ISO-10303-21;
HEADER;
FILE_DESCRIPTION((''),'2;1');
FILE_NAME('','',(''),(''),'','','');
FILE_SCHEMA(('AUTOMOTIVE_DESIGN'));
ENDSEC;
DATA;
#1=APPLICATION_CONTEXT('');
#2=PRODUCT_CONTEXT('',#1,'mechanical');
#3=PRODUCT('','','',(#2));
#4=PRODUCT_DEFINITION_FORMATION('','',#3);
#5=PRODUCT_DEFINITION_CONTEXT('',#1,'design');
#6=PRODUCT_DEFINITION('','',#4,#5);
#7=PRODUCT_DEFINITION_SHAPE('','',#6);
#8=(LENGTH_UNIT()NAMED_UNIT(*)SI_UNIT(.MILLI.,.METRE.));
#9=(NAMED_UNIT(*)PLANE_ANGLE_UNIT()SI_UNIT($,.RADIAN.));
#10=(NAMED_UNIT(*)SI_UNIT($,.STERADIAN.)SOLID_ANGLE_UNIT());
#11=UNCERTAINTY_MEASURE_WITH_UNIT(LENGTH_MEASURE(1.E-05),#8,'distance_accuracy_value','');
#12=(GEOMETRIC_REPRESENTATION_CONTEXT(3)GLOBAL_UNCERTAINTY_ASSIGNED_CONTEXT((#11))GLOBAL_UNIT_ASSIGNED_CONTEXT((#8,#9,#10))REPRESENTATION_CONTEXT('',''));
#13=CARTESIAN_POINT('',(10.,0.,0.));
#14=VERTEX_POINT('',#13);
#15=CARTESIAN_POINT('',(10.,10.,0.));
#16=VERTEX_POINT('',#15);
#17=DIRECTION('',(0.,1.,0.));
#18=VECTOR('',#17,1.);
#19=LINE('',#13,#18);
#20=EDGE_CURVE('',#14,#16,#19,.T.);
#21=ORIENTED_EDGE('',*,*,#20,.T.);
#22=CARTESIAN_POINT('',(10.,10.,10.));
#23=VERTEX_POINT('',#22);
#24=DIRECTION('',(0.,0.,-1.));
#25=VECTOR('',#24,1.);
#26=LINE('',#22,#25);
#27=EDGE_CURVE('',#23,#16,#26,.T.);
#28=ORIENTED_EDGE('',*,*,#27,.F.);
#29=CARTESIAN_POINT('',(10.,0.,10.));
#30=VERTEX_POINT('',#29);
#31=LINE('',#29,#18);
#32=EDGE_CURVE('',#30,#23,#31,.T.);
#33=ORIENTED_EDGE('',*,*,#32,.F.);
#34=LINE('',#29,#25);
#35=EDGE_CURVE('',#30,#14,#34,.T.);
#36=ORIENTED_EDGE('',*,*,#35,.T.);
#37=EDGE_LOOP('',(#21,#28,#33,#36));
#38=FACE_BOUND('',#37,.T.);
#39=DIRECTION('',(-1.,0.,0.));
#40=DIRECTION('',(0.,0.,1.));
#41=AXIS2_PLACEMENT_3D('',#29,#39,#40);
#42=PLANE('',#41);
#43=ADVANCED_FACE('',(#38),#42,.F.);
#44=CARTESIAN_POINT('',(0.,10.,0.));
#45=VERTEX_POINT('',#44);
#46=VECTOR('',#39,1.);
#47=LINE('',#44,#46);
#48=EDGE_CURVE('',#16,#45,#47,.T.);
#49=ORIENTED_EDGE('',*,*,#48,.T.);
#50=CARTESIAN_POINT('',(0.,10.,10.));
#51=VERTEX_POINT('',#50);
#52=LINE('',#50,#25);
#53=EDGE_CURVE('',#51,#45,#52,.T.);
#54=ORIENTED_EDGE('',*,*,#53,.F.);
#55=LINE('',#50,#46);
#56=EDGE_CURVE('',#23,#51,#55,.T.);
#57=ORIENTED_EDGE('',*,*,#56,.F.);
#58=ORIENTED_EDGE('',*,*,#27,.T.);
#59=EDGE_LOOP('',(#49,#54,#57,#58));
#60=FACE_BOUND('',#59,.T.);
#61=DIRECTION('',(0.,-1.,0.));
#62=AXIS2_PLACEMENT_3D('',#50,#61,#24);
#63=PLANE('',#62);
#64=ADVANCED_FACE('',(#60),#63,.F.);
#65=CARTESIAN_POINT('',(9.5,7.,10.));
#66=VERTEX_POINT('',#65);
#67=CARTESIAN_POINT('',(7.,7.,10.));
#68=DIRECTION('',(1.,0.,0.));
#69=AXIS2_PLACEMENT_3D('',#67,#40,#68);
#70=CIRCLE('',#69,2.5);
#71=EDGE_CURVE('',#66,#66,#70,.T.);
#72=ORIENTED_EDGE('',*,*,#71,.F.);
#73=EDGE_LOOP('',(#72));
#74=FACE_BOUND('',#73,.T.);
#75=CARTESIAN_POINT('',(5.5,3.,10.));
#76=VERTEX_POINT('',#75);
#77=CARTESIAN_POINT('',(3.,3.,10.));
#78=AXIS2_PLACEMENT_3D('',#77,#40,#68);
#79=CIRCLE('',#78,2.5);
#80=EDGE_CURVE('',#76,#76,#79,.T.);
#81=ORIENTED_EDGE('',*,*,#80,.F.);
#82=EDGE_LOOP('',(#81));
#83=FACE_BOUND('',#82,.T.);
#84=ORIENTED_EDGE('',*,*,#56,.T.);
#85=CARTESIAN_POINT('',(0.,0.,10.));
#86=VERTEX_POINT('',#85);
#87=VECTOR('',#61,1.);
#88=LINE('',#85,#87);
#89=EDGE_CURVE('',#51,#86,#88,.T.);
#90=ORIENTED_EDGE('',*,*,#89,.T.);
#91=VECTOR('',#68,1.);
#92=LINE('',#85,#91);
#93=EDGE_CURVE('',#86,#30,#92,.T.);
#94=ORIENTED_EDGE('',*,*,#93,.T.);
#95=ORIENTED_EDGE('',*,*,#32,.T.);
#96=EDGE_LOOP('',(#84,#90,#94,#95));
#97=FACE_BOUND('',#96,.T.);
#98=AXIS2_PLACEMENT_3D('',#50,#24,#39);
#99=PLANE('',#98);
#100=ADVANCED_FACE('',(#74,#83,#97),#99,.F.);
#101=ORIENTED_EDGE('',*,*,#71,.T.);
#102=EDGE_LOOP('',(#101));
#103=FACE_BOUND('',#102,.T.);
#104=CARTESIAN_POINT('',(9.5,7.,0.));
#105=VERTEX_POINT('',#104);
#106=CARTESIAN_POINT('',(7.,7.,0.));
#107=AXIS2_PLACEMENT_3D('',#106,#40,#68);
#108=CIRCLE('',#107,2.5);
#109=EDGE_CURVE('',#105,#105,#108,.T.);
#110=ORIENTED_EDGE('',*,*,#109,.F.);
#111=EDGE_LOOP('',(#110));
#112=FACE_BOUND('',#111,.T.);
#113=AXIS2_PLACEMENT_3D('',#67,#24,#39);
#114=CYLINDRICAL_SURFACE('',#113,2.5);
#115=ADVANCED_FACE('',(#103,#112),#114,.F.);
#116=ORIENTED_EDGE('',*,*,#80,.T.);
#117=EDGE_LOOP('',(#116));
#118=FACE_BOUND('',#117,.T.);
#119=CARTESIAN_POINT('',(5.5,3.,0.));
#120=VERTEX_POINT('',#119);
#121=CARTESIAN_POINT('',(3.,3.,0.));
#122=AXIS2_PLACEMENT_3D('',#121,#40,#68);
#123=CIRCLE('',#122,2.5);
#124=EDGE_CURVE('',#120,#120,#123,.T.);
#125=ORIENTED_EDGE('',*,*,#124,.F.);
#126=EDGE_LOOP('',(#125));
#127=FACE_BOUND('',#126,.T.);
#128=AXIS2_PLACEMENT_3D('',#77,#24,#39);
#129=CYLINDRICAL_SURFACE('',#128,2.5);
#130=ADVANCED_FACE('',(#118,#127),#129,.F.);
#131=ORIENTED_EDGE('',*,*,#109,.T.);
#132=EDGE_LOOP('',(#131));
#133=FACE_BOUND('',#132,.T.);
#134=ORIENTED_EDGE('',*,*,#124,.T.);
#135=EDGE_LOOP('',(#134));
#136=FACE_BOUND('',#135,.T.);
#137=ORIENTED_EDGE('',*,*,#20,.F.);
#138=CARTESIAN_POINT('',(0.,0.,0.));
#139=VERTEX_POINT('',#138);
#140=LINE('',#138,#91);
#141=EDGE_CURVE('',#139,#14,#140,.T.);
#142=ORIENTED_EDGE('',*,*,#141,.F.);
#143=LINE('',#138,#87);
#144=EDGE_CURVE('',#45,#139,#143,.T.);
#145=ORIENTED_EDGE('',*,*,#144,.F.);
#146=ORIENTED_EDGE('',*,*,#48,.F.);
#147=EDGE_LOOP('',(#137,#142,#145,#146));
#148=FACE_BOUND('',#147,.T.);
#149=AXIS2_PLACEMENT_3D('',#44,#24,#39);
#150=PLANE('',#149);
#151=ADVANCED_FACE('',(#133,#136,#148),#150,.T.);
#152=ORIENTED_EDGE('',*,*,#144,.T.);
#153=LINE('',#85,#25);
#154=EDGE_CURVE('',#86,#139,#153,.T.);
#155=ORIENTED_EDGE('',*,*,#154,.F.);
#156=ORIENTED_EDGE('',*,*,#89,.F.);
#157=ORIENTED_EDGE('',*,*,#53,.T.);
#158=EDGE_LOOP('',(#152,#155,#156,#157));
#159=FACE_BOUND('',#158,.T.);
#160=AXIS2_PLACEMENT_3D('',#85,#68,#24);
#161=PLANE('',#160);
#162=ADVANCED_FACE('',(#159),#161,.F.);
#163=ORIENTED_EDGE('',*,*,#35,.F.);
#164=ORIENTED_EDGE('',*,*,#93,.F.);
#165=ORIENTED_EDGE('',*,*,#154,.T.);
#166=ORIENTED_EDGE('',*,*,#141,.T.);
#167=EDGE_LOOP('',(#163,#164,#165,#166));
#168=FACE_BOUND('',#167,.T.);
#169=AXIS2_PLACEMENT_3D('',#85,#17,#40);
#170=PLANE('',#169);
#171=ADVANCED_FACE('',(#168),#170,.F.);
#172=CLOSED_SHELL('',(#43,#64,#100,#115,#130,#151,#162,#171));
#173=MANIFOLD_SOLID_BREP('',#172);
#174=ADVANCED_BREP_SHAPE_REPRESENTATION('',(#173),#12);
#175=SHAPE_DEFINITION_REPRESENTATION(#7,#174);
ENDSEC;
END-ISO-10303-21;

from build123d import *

# Parameters (mm, degrees)
SKETCH1_W           = 10
SKETCH1_H           = 10
BOSS_EXTRUDE1_DEPTH = 10
SKETCH2_R           = 2.5
CUT_EXTRUDE1_DEPTH  = 18.320508076


with BuildPart() as part:
    # Sketch1 → Boss-Extrude1 (new body)
    with BuildSketch(Plane.XY):
        with Locations((5, 5)):
            Rectangle(SKETCH1_W, SKETCH1_H)
    extrude(amount=BOSS_EXTRUDE1_DEPTH)

    # Sketch2 → Cut-Extrude1 (cut, through all)
    with BuildSketch(Plane.XY):
        with Locations((3, 3)):
            Circle(SKETCH2_R)
        with Locations((7, 7)):
            Circle(SKETCH2_R)
    extrude(amount=CUT_EXTRUDE1_DEPTH, mode=Mode.SUBTRACT)


solid = part.part
